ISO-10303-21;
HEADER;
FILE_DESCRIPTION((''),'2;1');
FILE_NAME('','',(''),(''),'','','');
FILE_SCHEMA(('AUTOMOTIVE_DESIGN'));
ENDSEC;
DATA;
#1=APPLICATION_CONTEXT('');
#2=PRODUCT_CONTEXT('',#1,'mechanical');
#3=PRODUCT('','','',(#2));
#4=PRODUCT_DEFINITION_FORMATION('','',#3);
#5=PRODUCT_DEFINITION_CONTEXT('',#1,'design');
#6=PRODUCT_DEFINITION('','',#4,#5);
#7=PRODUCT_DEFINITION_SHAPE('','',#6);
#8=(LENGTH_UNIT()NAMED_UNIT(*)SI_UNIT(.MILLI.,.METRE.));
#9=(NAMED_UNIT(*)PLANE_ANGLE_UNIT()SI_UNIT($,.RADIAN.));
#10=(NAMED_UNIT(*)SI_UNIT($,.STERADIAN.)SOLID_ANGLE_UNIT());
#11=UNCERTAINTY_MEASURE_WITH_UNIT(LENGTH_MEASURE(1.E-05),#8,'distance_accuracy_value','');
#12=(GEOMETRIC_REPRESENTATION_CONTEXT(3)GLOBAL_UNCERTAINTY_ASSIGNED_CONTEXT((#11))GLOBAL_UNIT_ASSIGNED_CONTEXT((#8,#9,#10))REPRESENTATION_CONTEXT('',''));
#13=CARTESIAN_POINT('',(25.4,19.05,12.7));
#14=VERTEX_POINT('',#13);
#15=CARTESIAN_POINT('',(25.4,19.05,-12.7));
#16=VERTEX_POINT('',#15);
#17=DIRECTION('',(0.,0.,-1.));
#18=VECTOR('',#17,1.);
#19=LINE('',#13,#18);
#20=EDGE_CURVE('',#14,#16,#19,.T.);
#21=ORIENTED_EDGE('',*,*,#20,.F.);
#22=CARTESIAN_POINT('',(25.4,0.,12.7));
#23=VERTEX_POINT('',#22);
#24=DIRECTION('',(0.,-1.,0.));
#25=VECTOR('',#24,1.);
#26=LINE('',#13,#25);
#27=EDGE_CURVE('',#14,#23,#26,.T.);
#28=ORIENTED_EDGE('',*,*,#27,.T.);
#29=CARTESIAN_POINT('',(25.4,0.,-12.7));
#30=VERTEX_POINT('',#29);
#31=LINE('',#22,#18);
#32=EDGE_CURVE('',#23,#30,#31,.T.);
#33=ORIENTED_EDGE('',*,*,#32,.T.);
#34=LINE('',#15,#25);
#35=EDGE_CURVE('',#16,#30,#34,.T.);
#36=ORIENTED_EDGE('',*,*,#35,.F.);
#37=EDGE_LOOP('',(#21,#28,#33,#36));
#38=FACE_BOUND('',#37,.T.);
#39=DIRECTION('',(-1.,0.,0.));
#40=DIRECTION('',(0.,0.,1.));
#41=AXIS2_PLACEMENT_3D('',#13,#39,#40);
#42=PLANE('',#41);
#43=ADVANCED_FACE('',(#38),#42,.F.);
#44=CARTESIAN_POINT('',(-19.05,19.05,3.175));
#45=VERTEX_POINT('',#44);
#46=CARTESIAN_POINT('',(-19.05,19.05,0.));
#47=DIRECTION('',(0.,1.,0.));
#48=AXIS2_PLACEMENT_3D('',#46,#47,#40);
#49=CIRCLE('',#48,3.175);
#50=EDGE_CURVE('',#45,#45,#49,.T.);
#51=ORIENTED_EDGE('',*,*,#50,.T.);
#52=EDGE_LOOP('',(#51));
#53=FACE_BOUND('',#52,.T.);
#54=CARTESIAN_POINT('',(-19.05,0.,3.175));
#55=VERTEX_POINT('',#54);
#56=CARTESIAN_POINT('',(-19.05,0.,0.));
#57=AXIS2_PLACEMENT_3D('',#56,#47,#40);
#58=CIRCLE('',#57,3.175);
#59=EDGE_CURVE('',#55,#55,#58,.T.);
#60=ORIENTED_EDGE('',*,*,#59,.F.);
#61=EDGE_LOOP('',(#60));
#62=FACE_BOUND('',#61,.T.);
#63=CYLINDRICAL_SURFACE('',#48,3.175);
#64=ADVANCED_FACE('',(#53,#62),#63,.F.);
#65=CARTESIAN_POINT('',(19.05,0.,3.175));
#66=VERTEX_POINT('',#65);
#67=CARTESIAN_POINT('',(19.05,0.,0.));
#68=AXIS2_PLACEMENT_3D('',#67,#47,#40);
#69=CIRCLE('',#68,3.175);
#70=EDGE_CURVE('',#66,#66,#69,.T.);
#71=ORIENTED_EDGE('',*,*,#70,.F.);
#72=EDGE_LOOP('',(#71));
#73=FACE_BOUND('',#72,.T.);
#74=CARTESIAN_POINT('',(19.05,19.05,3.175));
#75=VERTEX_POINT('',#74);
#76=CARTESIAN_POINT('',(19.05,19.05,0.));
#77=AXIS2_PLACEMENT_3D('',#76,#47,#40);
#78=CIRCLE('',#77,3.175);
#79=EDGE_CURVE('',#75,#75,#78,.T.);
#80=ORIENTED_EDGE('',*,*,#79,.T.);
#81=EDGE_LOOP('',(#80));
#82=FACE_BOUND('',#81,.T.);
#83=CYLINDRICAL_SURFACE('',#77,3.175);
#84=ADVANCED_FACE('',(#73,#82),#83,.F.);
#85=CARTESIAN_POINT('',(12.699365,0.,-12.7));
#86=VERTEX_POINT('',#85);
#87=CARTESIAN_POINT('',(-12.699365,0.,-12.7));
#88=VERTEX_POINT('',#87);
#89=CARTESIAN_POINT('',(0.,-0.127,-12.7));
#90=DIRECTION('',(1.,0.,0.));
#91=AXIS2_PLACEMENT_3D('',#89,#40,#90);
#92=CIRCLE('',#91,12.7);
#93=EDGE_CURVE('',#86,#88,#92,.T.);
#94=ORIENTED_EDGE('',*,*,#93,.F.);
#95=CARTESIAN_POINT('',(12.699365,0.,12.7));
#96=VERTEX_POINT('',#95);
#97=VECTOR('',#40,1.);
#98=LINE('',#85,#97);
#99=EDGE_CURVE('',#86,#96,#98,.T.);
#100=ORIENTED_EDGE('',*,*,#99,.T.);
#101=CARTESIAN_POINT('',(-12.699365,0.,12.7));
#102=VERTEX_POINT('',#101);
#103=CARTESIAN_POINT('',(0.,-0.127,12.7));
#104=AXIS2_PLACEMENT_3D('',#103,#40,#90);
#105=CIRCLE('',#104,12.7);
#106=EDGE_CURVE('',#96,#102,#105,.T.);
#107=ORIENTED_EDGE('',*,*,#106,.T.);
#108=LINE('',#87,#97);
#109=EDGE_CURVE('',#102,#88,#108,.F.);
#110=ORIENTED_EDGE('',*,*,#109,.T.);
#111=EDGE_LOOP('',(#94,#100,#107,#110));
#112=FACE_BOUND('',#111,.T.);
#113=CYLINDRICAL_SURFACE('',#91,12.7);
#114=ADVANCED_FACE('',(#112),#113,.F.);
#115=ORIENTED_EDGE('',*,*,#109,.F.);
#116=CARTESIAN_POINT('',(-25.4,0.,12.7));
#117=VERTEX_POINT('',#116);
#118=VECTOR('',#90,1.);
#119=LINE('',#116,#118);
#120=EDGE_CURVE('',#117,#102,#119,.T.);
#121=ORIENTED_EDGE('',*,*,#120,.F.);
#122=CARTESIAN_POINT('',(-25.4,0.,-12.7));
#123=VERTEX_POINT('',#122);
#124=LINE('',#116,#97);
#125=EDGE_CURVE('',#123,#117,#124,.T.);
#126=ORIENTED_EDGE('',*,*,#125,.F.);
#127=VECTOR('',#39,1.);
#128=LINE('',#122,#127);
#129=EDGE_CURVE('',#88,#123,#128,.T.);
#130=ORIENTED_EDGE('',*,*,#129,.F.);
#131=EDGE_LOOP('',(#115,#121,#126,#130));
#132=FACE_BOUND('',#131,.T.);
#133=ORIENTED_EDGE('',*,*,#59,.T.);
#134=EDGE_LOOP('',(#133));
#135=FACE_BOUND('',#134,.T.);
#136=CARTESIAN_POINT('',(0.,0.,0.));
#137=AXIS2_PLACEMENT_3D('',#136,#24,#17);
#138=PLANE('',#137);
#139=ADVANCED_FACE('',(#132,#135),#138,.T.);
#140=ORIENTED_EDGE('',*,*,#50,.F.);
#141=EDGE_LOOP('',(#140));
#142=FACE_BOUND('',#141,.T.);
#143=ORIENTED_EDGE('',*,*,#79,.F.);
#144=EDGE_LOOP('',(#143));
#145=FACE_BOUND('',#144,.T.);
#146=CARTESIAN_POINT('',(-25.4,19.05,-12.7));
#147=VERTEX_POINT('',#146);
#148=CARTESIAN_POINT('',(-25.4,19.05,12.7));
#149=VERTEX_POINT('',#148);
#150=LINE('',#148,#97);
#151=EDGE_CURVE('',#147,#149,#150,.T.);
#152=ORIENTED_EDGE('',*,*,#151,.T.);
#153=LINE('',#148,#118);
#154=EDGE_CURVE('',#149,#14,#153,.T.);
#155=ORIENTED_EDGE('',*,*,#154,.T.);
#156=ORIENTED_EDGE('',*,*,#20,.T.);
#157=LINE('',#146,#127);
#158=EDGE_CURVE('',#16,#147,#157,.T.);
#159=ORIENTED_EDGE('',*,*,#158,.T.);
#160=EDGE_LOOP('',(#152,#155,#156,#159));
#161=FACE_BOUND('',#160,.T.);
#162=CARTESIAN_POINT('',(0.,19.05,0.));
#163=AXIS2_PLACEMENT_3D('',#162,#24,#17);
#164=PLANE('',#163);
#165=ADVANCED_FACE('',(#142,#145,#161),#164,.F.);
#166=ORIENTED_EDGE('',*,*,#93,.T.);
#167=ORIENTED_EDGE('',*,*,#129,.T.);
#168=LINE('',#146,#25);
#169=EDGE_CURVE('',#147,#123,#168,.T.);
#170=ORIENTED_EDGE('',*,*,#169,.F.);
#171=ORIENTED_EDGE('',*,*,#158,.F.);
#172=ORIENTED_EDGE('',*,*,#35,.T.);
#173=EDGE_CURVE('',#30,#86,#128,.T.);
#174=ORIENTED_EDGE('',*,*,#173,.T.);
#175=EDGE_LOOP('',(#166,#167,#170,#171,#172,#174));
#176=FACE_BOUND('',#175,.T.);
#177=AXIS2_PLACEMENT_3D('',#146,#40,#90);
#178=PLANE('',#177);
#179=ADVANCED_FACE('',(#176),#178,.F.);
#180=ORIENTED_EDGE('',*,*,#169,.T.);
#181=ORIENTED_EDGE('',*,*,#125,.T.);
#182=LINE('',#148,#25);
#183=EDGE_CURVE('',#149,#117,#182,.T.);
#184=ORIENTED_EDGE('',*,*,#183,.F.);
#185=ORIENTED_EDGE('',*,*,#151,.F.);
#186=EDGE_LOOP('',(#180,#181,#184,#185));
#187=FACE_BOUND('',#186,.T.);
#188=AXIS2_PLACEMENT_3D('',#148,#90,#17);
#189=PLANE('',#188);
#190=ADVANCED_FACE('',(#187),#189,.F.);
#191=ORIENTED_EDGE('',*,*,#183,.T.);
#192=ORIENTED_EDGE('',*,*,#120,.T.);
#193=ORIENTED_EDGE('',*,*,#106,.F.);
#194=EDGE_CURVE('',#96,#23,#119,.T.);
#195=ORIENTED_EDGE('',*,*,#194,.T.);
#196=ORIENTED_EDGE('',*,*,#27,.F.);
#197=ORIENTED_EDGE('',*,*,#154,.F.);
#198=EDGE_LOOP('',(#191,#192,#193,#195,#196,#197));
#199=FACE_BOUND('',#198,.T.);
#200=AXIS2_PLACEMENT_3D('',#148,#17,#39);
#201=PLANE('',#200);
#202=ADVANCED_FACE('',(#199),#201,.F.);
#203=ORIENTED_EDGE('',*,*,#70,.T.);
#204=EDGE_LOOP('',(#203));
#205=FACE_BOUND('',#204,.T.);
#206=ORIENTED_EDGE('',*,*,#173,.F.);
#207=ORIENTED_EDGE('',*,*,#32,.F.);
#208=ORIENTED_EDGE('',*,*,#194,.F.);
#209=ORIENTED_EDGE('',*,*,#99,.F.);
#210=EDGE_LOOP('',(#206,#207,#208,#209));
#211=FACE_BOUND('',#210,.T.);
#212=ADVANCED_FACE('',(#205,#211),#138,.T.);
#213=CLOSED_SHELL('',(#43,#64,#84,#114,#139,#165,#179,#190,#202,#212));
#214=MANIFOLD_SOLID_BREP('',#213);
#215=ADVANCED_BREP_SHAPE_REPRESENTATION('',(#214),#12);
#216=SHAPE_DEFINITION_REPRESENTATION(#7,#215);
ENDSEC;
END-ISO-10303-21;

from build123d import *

# Parameters (mm, degrees)
SKETCH1_W        = 50.8
SKETCH1_H        = 25.4
BLOCK_DEPTH      = 19.05
SKETCH2_R        = 12.7
SHAFTHOLE_DEPTH  = 41.659838908
CLAMPING_HOLES_D = 6.35


with BuildPart() as part:
    # Sketch1 → Block (new body)
    with BuildSketch(Plane(origin=(0, 0, 0), x_dir=(1, 0, 0), z_dir=(0, 1, 0))):
        Rectangle(SKETCH1_W, SKETCH1_H)
    extrude(amount=BLOCK_DEPTH)

    # Sketch2 → ShaftHole (cut, through all)
    with BuildSketch(Plane.XY.offset(12.7)):
        with Locations((0, -0.127)):
            Circle(SKETCH2_R)
    extrude(amount=-SHAFTHOLE_DEPTH, mode=Mode.SUBTRACT)

    # Clamping Holes (through all)
    with Locations(Plane(origin=(0, 19.05, 0), x_dir=(1, 0, 0), z_dir=(0, 1, 0))):
        with Locations((-19.05, 0), (19.05, 0)):
            Hole(CLAMPING_HOLES_D / 2)


solid = part.part
